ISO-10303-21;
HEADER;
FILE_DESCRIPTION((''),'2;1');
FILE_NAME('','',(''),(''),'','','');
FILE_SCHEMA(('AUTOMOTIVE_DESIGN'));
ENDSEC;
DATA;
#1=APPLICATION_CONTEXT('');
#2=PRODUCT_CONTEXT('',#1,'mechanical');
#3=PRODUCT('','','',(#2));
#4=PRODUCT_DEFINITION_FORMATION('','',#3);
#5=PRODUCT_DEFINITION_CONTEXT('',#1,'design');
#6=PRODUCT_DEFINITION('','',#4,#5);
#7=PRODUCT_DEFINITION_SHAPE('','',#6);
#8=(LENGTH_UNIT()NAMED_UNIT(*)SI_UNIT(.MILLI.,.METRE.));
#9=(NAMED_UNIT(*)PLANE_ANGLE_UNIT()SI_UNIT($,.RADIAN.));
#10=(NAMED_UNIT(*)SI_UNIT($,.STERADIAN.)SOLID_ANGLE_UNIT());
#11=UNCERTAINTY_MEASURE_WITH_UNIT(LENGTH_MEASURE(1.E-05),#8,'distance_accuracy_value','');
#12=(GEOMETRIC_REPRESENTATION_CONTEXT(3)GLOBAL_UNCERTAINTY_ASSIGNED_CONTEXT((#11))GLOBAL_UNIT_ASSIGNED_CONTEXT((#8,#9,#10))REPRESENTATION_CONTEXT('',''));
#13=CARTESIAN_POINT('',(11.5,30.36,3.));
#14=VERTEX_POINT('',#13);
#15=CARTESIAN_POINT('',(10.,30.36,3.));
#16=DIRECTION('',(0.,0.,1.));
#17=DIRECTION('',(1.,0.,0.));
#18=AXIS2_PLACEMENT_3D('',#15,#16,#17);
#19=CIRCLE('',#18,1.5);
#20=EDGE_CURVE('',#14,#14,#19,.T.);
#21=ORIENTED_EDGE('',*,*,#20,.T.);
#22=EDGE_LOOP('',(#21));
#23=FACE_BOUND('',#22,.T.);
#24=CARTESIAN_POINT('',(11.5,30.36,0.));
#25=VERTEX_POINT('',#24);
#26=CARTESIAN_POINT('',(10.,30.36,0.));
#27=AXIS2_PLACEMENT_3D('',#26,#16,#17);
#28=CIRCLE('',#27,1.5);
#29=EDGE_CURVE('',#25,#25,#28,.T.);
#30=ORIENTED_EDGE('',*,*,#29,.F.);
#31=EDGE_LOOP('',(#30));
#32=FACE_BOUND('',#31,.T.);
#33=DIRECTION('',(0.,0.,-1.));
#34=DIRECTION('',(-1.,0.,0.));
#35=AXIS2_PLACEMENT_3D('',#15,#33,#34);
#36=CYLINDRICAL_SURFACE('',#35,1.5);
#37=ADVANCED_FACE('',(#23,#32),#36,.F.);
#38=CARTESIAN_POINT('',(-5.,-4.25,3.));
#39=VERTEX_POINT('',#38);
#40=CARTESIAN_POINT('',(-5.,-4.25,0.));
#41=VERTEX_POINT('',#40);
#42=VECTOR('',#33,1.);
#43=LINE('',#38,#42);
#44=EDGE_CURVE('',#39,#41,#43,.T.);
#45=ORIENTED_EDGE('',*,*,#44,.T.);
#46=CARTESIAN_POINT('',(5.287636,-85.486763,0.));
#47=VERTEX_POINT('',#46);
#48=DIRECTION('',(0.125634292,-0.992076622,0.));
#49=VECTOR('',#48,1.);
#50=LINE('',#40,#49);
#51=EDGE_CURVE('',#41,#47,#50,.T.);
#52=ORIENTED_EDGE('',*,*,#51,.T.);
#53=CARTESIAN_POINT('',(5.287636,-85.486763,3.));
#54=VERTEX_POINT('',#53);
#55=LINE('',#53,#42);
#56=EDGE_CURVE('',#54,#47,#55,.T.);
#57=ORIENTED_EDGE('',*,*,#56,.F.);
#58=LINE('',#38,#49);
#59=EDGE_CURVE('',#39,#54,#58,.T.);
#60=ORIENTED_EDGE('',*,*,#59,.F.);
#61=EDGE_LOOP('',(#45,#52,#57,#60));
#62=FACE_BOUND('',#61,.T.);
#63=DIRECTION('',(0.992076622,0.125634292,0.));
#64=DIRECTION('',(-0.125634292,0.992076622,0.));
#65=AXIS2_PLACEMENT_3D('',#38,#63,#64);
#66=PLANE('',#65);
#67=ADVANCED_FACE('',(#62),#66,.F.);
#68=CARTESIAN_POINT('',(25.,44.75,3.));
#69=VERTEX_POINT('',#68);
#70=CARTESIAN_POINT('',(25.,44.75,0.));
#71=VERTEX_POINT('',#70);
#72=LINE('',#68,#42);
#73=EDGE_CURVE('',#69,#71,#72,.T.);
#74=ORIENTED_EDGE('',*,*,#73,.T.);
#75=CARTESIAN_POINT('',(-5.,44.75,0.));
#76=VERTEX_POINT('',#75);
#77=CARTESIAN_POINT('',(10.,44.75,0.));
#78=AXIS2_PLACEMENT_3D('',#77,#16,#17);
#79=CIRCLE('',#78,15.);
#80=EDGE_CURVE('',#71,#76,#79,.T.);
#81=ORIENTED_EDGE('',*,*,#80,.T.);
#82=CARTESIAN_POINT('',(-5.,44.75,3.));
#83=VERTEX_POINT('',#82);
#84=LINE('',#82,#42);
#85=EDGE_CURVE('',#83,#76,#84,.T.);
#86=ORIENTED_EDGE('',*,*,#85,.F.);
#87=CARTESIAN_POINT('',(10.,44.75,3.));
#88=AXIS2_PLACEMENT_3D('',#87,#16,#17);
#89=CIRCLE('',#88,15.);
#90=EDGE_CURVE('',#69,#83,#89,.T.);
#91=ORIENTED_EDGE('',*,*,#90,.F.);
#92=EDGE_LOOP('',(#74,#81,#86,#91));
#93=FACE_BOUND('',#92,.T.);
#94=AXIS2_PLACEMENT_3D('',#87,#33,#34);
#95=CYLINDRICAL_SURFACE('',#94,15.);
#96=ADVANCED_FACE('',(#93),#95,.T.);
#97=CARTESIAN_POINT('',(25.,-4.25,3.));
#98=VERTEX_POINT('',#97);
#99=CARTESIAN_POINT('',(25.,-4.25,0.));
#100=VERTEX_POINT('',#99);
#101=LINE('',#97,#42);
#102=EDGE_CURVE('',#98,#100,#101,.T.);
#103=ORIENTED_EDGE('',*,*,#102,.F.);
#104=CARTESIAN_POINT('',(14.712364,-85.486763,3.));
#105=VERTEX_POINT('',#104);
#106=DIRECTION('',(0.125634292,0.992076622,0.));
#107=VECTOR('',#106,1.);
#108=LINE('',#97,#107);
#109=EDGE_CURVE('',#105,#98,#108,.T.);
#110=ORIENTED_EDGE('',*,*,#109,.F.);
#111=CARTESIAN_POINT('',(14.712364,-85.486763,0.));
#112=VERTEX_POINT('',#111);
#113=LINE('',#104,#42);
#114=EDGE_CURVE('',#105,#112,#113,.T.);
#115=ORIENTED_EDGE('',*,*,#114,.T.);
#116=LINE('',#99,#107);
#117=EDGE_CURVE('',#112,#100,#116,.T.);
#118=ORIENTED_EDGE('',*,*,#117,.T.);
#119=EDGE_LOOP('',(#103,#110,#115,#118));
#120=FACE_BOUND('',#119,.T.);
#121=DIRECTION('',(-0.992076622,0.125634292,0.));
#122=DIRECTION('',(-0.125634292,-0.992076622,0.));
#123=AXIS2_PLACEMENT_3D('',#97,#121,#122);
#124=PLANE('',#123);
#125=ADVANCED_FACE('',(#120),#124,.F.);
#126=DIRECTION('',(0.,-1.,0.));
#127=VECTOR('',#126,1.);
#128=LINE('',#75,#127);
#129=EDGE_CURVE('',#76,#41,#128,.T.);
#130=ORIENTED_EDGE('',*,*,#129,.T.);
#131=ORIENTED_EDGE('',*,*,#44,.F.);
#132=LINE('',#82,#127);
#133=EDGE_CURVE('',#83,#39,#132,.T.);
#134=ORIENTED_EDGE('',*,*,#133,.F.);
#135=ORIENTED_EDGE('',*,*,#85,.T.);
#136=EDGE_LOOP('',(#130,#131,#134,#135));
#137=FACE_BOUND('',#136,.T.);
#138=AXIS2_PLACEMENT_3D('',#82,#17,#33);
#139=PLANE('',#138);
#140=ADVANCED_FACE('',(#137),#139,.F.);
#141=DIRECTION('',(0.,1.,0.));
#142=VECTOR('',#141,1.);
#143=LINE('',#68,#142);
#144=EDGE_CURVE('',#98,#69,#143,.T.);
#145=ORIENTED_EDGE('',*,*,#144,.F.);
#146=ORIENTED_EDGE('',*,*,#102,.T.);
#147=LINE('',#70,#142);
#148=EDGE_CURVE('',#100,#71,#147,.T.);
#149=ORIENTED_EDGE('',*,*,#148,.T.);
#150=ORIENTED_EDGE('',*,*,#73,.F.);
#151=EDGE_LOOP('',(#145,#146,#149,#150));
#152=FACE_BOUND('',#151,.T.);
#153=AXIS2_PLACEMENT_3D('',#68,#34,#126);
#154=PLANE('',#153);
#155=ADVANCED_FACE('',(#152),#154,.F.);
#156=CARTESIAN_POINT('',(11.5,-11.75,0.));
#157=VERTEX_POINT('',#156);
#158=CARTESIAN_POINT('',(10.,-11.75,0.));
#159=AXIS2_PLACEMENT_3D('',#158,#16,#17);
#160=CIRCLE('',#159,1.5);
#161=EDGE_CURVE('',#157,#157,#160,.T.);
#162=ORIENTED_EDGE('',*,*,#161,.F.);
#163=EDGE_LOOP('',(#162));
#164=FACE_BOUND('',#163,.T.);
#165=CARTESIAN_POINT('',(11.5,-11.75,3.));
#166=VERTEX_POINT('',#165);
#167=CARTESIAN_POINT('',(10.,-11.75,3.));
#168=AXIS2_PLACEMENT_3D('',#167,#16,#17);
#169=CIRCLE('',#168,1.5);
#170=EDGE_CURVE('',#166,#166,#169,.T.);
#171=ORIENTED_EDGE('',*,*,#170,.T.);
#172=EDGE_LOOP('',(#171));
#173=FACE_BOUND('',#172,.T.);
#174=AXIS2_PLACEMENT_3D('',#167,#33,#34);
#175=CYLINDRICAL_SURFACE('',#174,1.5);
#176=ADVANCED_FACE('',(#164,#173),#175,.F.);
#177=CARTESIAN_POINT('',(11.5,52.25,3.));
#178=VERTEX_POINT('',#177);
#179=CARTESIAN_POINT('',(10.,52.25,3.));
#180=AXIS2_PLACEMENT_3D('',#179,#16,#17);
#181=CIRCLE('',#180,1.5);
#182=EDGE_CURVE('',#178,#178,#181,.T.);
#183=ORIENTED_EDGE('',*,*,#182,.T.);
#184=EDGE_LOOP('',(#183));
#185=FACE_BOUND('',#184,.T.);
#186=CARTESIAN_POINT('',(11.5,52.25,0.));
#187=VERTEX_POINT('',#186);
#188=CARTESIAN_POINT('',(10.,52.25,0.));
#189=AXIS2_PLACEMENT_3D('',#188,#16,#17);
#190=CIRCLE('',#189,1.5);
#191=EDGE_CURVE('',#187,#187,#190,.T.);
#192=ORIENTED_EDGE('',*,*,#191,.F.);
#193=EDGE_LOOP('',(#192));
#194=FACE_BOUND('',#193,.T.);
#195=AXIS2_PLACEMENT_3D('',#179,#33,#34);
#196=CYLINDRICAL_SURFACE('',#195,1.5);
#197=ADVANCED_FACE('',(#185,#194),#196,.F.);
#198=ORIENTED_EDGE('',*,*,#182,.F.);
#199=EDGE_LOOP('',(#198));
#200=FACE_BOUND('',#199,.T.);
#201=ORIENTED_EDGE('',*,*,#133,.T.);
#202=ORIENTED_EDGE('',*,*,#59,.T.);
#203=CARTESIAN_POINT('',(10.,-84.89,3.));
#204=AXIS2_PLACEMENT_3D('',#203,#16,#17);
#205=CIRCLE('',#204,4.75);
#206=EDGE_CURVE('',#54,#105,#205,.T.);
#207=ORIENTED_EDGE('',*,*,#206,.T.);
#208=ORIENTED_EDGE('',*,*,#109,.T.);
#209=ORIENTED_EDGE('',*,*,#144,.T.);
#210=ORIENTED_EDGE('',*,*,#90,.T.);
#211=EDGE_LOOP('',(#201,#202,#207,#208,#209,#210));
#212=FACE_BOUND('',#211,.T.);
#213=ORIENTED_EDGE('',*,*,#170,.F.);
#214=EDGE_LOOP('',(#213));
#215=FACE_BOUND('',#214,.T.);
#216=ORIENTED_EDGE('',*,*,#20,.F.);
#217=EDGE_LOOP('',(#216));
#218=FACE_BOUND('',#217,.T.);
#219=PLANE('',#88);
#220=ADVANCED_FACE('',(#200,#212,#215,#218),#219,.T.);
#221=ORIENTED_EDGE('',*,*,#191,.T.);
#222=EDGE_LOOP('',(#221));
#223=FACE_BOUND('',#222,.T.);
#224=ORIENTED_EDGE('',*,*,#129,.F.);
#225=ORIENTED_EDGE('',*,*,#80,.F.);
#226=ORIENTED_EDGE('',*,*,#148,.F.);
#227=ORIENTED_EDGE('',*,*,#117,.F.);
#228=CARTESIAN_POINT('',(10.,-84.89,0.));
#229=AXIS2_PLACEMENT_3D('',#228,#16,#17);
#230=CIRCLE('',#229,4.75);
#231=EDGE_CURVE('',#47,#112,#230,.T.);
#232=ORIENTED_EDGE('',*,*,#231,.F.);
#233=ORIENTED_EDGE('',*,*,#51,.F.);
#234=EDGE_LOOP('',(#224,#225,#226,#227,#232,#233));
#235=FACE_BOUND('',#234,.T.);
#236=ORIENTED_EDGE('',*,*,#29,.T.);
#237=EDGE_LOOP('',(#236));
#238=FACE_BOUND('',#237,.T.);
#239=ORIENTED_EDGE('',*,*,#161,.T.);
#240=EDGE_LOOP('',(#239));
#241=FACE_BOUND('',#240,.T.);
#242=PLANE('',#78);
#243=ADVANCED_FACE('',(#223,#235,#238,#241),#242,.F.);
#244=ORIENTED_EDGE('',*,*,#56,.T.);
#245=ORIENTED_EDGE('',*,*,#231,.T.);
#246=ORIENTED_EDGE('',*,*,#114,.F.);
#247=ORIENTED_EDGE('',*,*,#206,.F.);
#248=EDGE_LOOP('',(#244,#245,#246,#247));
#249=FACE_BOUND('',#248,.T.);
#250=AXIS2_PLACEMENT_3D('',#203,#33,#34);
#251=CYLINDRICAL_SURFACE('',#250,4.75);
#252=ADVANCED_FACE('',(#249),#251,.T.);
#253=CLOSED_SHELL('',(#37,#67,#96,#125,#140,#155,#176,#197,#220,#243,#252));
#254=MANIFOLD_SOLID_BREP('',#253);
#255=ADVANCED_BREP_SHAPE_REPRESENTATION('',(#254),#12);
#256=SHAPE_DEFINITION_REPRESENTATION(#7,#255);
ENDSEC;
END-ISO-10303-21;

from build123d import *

# Parameters (mm, degrees)
SKETCH1_R           = 1.5
BOSS_EXTRUDE1_DEPTH = 3


with BuildPart() as part:
    # Sketch1 → Boss-Extrude1 (new body)
    with BuildSketch(Plane.XY):
        with BuildLine():
            Line((-5, 44.75), (-5, -4.25))
            Line((-5, -4.25), (5.287636044, -85.486762889))
            ThreePointArc((5.287636044, -85.486762889), (10, -89.64), (14.712363956, -85.486762889))
            Line((14.712363956, -85.486762889), (25, -4.25))
            Line((25, -4.25), (25, 44.75))
            ThreePointArc((25, 44.75), (10, 59.75), (-5, 44.75))
        make_face()
        with Locations((10, 30.36)):
            Circle(SKETCH1_R, mode=Mode.SUBTRACT)
        with Locations((10, 52.25)):
            Circle(SKETCH1_R, mode=Mode.SUBTRACT)
        with Locations((10, -11.75)):
            Circle(SKETCH1_R, mode=Mode.SUBTRACT)
    extrude(amount=BOSS_EXTRUDE1_DEPTH)


solid = part.part
